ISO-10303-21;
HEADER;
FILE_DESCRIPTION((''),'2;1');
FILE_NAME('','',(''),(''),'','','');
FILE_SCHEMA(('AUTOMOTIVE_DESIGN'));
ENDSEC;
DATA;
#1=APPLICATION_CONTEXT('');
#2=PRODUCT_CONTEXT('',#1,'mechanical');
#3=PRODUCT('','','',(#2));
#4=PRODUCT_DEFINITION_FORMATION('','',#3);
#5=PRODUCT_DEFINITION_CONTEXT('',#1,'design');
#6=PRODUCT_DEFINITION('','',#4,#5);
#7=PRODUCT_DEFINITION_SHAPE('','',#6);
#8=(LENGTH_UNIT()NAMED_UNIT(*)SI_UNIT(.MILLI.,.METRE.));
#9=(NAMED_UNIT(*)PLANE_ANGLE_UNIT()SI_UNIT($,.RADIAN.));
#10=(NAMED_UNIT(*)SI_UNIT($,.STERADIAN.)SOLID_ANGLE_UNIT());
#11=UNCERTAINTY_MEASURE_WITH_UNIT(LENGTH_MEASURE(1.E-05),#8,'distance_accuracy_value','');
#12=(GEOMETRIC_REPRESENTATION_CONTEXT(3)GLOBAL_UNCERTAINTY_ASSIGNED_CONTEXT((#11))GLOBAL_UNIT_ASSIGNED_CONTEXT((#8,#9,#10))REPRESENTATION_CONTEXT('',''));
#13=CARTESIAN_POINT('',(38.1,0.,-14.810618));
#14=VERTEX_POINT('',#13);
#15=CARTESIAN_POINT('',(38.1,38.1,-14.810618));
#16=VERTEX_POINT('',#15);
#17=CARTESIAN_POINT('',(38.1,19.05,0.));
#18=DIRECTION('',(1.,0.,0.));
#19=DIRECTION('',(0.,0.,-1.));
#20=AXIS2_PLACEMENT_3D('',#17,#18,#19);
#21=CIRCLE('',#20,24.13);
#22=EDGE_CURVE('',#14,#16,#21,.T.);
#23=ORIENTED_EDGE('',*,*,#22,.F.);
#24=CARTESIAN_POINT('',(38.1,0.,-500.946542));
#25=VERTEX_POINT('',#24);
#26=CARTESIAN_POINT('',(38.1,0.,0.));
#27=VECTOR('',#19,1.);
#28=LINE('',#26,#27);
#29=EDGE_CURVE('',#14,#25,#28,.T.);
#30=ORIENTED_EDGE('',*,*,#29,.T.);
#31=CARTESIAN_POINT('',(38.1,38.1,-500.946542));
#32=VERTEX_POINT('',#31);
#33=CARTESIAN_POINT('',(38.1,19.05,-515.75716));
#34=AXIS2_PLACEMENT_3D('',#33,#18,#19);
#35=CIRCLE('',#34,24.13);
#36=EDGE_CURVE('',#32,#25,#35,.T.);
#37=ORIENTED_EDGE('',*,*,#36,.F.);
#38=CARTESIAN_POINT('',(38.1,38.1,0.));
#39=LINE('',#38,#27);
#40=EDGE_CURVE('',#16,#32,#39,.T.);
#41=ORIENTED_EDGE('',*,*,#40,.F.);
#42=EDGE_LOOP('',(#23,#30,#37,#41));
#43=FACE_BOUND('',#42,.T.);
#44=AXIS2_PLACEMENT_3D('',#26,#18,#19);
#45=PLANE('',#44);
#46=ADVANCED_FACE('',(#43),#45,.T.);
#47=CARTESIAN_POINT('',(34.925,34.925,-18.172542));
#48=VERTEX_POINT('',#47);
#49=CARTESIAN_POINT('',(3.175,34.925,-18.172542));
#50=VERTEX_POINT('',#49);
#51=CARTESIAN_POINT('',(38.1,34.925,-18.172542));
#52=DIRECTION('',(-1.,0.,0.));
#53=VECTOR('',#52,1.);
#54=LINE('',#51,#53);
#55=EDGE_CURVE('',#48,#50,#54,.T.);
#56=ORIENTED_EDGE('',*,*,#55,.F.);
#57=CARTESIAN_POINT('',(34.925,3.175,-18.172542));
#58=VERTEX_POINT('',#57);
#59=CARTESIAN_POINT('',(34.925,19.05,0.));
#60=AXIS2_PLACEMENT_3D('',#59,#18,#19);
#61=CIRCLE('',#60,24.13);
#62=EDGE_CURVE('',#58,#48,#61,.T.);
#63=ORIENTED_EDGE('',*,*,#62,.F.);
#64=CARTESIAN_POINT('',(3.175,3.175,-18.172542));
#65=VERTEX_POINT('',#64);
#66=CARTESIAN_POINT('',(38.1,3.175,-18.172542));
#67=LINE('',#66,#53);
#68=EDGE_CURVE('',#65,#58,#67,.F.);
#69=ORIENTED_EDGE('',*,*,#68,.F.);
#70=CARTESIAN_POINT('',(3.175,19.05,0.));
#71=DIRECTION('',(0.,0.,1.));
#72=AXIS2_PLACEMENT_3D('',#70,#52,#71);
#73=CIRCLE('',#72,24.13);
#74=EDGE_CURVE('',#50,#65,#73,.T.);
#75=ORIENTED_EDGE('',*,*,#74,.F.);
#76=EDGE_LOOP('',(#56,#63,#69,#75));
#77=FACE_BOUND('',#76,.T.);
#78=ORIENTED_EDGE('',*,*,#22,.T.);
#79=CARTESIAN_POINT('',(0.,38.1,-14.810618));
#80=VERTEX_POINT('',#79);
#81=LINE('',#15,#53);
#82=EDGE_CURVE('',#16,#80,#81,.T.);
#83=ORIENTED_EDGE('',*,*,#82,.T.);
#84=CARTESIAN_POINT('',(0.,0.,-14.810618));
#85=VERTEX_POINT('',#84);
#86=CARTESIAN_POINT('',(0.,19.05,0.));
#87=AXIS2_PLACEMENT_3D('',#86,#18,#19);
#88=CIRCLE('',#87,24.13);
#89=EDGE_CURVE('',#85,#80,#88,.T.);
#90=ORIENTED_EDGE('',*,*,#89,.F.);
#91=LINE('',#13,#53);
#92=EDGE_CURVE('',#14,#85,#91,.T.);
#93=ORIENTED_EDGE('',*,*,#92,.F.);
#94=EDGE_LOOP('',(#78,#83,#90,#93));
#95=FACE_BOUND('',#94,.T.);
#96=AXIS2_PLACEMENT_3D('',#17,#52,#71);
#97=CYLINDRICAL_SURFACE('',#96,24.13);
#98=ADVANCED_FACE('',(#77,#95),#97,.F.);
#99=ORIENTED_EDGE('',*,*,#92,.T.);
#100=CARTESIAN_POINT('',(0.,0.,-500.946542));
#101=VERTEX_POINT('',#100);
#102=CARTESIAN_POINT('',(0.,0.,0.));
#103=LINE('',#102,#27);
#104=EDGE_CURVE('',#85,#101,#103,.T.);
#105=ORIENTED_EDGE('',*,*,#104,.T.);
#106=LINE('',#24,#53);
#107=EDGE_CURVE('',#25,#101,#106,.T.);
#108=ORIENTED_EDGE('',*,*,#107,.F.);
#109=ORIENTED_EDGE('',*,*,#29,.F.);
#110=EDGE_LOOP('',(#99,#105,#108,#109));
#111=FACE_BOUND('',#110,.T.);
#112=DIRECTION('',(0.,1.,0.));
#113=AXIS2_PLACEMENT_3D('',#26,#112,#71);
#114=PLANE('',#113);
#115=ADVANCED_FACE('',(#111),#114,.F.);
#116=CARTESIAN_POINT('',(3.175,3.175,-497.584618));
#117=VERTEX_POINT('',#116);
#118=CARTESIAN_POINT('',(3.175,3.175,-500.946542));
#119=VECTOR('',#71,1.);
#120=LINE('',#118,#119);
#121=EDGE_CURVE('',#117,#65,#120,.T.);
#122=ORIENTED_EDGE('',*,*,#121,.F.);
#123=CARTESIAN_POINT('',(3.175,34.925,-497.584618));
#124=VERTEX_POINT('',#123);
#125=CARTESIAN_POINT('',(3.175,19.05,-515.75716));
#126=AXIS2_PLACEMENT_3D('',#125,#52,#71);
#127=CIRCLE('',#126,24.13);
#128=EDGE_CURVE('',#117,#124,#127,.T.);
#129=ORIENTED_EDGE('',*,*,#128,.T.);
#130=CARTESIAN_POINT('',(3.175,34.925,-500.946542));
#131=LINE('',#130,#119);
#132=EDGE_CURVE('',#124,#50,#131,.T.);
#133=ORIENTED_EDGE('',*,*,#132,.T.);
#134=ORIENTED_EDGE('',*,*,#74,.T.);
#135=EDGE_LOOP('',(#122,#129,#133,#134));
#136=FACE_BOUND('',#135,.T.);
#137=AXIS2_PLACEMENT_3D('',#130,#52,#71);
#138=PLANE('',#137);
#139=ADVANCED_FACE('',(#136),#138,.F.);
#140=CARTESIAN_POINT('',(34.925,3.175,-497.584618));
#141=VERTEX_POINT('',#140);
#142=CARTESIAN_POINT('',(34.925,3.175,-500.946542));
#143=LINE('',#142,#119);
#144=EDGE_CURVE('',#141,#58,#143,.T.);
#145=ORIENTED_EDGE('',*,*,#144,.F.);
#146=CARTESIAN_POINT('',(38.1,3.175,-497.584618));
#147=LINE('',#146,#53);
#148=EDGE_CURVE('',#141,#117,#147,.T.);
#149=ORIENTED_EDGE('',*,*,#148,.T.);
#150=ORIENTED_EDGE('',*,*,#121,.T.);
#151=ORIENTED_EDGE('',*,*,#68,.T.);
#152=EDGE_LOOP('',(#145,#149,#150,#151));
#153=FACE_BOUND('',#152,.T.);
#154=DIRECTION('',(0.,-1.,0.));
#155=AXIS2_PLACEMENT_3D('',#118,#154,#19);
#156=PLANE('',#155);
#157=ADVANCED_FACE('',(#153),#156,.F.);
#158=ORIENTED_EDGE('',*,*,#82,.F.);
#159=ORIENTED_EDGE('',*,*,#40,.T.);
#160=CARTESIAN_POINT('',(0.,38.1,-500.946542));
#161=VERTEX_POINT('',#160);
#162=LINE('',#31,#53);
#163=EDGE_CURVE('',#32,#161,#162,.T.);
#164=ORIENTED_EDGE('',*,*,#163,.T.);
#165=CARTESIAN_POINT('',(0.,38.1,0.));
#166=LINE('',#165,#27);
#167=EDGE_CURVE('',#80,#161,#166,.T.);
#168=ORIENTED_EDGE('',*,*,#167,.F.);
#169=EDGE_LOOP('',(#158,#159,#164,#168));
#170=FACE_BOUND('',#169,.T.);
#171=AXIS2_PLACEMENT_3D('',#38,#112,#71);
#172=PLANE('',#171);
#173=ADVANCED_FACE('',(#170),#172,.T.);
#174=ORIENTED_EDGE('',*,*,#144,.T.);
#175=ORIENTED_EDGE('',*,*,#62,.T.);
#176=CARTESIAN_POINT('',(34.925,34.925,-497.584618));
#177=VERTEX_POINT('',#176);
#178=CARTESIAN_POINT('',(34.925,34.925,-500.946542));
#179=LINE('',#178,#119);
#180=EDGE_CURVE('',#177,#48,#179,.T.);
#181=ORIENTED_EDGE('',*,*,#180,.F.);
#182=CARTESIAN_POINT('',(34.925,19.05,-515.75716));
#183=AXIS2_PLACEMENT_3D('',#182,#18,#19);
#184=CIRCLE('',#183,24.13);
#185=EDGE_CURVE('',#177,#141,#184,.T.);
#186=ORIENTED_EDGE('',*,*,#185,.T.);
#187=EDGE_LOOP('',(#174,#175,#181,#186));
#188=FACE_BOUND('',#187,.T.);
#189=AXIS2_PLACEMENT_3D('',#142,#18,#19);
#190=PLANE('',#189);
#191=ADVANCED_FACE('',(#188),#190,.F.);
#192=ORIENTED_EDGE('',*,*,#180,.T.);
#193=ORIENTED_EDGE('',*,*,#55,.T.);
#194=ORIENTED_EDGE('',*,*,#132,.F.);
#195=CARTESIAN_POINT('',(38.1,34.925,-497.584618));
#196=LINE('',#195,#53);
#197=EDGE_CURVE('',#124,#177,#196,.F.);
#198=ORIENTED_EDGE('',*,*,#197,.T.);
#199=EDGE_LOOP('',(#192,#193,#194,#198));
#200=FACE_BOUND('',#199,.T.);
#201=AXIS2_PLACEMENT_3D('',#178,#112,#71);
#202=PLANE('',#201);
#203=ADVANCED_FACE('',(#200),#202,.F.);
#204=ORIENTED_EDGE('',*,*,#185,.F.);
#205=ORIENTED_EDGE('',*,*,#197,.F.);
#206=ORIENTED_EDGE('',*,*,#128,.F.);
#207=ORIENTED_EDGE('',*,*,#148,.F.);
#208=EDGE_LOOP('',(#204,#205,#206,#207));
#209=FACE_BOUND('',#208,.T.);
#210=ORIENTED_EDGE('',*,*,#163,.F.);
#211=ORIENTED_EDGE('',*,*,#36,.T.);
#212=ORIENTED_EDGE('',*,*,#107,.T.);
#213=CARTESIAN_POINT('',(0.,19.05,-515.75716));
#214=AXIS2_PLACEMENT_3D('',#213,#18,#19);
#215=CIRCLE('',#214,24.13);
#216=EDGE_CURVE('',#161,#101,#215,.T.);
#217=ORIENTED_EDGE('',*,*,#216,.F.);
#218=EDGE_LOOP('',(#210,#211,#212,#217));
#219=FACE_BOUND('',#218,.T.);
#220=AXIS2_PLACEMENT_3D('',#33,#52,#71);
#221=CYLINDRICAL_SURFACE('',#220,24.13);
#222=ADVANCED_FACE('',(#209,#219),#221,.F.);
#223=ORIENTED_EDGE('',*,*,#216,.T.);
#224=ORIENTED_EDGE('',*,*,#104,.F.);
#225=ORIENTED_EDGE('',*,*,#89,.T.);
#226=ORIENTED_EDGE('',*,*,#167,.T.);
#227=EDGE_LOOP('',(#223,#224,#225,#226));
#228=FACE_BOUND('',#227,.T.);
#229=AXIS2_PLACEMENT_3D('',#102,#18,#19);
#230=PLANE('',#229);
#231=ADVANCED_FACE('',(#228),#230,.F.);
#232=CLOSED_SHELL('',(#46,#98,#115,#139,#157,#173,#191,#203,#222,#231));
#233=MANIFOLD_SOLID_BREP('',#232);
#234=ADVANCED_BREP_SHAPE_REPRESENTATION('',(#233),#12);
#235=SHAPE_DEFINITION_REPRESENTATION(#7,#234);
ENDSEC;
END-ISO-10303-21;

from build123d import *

# Parameters (mm, degrees)
BOSS_EXTRUDE1_DEPTH = 38.1
SKETCH2_W           = 31.75
SKETCH2_H           = 31.75
CUT_EXTRUDE1_DEPTH  = 504.835943665


with BuildPart() as part:
    # Sketch1 → Boss-Extrude1 (new body)
    with BuildSketch(Plane(origin=(0, 0, 0), x_dir=(0, 0, -1), z_dir=(1, 0, 0))):
        with BuildLine():
            ThreePointArc((24.13, 19.05), (21.675298243, 8.446305074), (14.810617813, 0))
            Line((14.810617813, 0), (500.946542187, 0))
            ThreePointArc((500.946542187, 0), (491.62716, 19.05), (500.946542187, 38.1))
            Line((500.946542187, 38.1), (14.810617813, 38.1))
            ThreePointArc((14.810617813, 38.1), (21.675298243, 29.653694926), (24.13, 19.05))
        make_face()
    extrude(amount=BOSS_EXTRUDE1_DEPTH)

    # Sketch2 → Cut-Extrude1 (cut, through all)
    with BuildSketch(Plane.XY):
        with Locations((19.05, 19.05)):
            Rectangle(SKETCH2_W, SKETCH2_H)
    extrude(amount=-CUT_EXTRUDE1_DEPTH, mode=Mode.SUBTRACT)


solid = part.part
